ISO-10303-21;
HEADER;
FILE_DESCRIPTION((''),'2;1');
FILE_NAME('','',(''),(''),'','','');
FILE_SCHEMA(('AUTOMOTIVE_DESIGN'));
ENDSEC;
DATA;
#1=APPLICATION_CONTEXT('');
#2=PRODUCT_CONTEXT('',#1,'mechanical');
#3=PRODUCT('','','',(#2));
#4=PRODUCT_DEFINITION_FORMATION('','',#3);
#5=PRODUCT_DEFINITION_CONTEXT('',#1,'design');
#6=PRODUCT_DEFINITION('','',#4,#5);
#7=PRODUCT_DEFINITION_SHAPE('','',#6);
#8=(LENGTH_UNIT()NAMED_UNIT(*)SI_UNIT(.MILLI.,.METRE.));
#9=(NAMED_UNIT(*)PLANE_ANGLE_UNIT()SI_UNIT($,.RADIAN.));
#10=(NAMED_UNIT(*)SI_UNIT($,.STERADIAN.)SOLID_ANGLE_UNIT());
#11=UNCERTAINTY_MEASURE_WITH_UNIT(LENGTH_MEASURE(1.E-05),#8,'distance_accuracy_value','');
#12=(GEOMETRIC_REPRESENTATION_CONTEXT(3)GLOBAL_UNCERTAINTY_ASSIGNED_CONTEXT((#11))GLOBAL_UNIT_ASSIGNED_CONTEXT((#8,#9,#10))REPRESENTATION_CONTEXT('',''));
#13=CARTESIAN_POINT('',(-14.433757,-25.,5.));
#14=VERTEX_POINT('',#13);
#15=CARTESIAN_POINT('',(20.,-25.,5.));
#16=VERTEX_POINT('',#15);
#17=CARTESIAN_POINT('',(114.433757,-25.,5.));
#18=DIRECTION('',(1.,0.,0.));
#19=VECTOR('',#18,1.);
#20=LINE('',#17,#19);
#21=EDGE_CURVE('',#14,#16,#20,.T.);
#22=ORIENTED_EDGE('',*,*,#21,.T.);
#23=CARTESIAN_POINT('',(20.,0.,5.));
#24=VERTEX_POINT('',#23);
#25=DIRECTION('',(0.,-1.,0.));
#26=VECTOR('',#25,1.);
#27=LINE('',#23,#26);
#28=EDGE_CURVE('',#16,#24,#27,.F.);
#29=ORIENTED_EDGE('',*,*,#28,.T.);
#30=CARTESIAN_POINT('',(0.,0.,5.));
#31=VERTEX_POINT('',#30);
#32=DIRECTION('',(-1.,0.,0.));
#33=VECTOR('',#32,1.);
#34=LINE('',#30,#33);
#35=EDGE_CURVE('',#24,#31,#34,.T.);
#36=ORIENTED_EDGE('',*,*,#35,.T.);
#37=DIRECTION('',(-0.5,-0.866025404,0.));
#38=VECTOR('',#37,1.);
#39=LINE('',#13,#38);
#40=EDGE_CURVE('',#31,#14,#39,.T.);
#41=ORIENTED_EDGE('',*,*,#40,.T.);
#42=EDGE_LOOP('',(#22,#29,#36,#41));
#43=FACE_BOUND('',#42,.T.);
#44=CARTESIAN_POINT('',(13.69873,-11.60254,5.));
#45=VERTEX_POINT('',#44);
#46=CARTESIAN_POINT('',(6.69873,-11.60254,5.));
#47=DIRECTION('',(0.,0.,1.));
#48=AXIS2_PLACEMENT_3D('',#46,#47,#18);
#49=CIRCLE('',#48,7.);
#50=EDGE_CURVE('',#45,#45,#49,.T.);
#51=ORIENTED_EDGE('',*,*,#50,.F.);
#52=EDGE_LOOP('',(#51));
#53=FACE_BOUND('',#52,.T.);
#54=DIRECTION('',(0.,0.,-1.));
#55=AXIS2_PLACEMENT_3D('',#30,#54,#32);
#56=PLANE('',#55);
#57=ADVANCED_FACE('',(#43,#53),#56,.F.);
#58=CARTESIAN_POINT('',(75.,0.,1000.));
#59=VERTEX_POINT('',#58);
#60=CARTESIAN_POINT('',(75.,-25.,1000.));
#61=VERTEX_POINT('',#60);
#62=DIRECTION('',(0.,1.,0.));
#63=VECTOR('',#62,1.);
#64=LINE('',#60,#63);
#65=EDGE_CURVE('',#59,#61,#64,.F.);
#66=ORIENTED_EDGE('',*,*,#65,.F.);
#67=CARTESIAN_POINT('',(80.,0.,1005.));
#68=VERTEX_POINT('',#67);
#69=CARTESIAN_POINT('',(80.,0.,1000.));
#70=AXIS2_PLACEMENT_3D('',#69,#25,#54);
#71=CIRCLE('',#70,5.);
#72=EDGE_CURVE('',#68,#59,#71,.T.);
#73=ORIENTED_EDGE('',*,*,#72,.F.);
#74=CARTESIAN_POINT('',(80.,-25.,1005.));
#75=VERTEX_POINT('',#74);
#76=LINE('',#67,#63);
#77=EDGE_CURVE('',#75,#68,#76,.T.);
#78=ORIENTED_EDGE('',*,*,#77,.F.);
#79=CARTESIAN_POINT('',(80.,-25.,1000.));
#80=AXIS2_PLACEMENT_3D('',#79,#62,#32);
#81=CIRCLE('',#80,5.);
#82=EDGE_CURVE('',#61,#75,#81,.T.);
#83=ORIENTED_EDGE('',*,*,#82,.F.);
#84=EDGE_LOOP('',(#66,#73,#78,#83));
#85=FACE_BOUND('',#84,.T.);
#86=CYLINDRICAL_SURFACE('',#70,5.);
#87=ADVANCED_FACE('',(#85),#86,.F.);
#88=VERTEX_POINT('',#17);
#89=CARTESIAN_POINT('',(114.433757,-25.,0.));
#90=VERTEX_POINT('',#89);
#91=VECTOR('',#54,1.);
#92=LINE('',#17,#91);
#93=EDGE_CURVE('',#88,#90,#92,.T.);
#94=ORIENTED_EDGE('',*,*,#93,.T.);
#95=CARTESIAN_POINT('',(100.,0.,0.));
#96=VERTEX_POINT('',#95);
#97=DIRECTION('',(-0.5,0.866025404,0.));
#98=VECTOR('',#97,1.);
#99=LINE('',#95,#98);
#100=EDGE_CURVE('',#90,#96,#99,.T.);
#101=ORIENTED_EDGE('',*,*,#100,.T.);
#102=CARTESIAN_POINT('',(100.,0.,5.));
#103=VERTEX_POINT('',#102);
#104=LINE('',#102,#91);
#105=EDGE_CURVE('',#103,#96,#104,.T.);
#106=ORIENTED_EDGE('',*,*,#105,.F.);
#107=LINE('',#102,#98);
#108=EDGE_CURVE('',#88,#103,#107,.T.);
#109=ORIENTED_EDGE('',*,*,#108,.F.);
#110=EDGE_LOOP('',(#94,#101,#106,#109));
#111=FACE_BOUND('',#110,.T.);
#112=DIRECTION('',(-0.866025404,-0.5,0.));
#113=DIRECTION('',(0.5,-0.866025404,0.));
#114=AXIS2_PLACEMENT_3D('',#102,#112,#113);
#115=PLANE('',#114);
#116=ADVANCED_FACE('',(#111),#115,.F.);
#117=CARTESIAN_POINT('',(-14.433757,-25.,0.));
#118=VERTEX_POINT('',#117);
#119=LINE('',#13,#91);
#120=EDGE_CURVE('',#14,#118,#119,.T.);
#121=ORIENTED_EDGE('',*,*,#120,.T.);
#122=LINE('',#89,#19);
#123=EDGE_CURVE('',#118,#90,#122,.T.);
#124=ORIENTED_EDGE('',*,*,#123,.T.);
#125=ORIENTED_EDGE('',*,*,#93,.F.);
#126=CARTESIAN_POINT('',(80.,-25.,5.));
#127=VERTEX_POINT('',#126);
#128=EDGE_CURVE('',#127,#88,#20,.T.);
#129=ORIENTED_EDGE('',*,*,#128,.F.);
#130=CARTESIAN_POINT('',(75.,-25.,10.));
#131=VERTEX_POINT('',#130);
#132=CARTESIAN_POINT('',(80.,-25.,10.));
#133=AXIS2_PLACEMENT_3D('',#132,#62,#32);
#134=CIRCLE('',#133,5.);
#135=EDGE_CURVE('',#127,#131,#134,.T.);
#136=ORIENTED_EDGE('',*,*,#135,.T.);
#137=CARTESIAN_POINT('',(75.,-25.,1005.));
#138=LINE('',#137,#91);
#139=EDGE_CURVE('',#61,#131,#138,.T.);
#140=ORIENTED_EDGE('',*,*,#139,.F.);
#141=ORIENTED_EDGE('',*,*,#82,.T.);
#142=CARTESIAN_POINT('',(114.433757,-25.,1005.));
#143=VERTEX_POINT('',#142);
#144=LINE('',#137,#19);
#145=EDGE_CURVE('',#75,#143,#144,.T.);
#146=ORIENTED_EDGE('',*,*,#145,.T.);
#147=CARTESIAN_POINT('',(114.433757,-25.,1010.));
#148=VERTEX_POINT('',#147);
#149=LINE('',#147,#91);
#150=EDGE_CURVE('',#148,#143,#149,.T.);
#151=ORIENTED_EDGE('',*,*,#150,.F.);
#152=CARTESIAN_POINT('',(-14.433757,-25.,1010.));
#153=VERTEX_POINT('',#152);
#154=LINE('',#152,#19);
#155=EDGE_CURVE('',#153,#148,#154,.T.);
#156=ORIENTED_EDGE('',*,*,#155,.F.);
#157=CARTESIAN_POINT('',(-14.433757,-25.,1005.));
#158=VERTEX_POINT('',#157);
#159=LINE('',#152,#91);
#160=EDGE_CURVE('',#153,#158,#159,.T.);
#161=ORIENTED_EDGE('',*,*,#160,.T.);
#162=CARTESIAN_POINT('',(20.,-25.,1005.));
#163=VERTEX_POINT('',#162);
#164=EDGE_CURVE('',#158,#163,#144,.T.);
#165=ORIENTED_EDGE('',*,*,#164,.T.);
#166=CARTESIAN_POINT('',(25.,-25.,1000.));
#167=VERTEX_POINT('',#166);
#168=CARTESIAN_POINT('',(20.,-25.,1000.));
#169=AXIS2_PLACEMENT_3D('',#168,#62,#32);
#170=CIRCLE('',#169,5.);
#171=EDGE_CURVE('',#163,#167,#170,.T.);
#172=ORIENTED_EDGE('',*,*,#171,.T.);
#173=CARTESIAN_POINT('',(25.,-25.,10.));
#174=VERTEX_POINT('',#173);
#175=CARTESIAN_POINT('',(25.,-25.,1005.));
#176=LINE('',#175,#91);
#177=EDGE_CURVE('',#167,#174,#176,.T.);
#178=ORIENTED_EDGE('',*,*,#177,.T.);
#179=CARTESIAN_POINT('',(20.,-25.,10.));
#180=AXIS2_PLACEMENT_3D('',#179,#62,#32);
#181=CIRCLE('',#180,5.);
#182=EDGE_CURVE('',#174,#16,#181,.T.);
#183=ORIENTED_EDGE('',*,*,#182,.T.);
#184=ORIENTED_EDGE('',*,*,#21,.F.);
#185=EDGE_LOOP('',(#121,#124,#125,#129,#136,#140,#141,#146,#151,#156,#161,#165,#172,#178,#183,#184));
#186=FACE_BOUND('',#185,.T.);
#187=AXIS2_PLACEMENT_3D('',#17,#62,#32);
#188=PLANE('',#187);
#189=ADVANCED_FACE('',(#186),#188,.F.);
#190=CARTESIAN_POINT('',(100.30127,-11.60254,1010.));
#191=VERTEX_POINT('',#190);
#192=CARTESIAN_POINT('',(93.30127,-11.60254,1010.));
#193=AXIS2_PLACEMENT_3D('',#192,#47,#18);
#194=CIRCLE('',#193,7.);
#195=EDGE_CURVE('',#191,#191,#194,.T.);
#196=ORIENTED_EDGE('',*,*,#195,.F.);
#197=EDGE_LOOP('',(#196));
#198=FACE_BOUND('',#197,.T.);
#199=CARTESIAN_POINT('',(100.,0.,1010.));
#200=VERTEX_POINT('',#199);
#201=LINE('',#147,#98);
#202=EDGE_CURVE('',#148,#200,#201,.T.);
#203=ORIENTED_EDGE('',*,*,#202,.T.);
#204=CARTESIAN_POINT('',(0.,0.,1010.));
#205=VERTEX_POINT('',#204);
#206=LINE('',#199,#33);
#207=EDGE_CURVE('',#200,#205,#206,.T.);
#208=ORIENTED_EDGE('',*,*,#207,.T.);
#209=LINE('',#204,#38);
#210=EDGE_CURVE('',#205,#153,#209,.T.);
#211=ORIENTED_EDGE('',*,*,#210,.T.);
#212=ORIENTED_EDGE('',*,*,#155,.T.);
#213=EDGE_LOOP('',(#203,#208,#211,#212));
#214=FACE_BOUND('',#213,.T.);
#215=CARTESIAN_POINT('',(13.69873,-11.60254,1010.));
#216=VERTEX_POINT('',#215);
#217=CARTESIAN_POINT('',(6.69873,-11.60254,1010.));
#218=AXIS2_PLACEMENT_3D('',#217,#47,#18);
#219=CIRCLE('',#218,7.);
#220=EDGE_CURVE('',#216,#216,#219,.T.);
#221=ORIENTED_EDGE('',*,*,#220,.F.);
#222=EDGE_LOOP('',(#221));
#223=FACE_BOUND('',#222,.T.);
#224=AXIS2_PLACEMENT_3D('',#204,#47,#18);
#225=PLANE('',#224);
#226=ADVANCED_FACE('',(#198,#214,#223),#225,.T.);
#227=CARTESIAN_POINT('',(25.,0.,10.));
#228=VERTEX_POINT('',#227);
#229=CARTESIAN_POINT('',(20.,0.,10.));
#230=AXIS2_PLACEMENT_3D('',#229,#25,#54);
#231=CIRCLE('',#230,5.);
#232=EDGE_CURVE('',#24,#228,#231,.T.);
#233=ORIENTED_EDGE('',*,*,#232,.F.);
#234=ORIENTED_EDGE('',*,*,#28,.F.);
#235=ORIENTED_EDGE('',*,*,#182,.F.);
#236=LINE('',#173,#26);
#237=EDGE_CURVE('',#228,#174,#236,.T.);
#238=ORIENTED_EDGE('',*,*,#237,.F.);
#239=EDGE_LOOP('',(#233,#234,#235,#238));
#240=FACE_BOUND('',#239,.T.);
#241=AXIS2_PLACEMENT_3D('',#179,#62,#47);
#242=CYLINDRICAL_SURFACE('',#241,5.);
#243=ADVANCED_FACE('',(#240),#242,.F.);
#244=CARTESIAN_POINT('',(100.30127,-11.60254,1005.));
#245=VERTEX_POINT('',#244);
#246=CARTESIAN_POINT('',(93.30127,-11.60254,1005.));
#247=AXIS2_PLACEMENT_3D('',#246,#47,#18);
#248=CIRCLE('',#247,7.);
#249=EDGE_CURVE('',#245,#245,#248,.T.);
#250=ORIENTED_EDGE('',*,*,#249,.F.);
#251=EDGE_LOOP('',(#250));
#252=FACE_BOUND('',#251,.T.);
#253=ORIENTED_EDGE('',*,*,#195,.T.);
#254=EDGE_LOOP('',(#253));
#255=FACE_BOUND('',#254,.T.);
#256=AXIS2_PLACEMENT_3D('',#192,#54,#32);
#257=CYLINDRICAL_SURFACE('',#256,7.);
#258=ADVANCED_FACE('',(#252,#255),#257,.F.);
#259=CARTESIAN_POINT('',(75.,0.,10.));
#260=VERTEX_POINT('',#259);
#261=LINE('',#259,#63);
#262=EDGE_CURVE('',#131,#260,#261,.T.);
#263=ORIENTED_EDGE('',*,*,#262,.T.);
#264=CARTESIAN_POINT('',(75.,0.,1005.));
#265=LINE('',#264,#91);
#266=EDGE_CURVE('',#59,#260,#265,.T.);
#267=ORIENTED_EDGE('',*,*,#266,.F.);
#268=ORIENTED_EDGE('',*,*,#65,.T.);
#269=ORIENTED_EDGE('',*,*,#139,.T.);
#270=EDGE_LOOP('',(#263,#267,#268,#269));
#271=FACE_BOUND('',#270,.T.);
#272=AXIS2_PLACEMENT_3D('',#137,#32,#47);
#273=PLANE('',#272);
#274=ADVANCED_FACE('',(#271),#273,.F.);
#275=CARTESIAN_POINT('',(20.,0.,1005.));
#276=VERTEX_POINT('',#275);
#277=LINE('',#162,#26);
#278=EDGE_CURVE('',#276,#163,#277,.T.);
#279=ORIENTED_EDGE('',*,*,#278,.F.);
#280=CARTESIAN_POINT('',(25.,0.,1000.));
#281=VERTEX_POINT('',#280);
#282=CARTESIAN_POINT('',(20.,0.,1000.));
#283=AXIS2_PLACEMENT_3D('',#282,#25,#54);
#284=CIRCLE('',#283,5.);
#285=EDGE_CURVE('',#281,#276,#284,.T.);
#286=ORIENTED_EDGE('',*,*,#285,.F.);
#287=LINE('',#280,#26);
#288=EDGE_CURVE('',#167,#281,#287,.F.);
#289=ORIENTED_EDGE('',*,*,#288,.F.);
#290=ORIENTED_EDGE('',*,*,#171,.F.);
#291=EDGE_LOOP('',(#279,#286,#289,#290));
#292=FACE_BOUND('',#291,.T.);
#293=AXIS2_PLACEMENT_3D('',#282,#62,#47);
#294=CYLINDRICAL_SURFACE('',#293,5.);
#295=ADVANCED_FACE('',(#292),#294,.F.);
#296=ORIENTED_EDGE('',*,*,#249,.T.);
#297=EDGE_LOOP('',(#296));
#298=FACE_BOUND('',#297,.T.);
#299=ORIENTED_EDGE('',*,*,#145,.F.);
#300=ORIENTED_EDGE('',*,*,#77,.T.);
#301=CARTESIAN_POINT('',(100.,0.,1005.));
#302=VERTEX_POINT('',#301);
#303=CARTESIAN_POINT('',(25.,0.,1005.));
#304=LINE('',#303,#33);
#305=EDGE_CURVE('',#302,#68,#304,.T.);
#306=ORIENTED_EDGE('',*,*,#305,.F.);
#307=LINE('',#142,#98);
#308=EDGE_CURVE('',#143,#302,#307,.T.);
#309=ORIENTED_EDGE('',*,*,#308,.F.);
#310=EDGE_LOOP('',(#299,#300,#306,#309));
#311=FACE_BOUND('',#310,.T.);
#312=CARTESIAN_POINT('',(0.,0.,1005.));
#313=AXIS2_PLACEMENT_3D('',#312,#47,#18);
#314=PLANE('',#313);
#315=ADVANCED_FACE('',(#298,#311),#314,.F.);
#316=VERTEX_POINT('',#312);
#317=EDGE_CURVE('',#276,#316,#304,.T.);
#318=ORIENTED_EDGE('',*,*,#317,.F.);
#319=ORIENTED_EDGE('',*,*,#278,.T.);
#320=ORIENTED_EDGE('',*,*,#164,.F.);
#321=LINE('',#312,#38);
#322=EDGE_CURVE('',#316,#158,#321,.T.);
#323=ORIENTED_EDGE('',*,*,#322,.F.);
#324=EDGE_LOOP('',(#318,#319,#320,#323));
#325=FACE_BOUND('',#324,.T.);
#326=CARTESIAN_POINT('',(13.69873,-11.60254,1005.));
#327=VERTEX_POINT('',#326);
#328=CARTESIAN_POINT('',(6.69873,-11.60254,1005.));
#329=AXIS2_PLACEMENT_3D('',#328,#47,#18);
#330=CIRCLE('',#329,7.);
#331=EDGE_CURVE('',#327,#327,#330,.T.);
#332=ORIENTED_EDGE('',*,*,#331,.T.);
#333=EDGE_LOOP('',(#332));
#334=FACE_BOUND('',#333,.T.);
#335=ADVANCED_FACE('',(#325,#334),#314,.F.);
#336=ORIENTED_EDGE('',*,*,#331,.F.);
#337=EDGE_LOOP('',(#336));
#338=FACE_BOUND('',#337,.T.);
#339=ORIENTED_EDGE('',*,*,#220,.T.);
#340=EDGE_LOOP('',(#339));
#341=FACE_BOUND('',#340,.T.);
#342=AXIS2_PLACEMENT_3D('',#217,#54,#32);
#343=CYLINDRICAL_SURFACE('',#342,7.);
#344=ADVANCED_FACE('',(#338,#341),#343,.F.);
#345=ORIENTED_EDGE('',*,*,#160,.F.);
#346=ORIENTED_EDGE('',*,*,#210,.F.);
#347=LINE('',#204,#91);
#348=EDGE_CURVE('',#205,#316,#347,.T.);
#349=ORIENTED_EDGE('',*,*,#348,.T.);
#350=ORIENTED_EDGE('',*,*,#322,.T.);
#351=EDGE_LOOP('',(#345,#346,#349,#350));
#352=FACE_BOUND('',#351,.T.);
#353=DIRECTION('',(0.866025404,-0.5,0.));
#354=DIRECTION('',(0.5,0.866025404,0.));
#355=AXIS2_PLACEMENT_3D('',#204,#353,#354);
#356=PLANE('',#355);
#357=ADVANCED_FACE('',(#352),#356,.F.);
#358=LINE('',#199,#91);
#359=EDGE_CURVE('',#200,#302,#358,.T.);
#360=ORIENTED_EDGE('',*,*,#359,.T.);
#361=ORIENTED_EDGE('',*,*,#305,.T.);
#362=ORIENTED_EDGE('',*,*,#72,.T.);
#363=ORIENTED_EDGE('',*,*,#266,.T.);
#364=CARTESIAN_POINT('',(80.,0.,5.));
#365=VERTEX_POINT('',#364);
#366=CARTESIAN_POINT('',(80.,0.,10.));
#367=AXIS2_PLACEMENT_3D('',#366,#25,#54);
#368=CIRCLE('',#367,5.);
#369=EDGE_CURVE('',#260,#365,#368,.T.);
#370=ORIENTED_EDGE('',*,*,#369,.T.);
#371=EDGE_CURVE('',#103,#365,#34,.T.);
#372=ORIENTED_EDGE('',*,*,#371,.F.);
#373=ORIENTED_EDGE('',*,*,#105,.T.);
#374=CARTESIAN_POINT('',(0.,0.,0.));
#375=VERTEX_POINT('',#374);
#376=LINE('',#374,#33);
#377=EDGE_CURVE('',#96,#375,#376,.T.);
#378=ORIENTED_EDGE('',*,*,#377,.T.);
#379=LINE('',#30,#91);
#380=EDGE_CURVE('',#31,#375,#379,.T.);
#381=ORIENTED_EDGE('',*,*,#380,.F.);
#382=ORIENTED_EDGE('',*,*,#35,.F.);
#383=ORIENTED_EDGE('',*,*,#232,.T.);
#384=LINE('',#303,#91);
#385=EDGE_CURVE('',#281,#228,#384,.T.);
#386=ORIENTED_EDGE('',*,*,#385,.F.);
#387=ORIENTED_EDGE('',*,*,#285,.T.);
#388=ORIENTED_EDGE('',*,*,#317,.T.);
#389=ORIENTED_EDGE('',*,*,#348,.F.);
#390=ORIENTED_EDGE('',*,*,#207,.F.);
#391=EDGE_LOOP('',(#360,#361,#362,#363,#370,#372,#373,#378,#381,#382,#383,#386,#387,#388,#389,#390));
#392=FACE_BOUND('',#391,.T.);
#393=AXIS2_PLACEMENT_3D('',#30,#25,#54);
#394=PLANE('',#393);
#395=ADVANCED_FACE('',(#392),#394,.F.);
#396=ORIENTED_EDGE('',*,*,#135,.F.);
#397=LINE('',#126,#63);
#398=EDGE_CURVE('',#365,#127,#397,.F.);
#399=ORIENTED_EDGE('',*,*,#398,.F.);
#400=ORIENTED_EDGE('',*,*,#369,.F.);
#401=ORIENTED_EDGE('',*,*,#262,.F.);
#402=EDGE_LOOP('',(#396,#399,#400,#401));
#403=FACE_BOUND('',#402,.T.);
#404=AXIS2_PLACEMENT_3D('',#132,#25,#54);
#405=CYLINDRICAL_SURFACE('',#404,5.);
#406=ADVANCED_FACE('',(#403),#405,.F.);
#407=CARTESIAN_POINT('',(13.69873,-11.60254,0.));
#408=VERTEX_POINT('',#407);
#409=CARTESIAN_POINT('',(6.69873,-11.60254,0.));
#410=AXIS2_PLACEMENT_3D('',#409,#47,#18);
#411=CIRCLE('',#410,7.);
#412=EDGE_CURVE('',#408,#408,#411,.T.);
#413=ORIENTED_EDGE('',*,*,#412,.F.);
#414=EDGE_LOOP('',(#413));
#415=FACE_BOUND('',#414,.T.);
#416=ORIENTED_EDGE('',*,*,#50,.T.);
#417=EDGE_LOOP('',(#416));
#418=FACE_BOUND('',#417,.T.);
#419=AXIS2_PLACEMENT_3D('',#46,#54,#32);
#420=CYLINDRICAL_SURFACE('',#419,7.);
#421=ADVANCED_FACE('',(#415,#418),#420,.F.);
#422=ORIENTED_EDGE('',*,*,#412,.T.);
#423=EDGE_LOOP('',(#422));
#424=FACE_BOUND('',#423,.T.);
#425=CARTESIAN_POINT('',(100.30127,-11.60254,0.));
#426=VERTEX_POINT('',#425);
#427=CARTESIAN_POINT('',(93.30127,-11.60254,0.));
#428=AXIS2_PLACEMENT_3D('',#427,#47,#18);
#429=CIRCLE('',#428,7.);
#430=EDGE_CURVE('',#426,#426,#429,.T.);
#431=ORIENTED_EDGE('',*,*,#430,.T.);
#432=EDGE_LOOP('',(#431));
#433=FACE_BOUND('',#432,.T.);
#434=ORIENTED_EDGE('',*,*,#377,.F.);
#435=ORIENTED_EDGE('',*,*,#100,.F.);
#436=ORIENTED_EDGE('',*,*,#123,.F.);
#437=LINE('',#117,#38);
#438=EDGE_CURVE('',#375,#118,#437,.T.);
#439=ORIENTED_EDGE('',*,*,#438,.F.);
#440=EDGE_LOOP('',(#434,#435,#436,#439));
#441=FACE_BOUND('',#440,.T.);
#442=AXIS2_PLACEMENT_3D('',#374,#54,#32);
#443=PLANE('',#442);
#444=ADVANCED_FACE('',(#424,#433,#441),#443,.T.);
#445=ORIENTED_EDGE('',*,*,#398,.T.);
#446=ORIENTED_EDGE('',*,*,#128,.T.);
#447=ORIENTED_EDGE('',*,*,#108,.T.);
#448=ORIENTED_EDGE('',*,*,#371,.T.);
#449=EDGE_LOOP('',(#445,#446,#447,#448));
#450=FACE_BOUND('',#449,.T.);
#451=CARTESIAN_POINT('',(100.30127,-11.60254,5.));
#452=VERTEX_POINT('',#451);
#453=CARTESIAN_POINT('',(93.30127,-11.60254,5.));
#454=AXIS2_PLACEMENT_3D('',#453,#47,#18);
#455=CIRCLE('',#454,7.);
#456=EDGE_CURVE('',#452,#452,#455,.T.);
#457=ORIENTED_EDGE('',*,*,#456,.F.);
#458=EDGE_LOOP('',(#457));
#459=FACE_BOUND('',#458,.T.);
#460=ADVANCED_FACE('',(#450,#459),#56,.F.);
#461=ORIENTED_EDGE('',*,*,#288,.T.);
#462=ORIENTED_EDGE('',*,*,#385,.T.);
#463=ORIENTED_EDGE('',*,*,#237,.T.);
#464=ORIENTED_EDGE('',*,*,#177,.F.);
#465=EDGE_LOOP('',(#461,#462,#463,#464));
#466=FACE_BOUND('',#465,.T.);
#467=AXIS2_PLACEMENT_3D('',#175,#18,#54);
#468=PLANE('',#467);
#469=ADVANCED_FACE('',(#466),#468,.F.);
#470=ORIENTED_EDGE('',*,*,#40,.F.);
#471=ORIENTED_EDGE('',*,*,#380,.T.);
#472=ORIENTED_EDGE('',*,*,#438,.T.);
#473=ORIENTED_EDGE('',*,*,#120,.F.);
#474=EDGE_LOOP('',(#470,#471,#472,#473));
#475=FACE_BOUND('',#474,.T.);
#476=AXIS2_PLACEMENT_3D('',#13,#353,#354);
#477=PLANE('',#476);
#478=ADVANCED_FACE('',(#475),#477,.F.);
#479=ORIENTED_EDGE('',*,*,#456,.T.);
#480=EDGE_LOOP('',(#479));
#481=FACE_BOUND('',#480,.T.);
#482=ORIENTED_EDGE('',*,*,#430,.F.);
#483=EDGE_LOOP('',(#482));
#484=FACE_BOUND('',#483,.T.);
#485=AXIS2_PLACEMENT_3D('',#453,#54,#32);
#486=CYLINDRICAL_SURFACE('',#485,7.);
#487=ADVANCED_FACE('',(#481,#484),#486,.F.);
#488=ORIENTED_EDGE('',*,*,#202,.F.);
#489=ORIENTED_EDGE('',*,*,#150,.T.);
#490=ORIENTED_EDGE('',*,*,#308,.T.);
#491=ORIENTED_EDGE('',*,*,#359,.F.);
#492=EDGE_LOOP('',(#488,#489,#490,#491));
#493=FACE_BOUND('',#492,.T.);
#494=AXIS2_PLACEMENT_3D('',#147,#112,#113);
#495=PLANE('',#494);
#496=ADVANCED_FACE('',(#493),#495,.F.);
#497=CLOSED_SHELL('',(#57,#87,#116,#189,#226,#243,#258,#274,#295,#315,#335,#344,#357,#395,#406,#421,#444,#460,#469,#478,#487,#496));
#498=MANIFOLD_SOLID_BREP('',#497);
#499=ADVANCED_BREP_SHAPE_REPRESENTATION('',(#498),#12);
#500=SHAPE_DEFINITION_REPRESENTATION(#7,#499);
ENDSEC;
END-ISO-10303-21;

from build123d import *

# Parameters (mm, degrees)
SZKIC1_R                    = 7
DODANIE_WYCI_GNI_CIE1_DEPTH = 5
SZKIC2_W                    = 50
SZKIC2_H                    = 25
DODANIE_WYCI_GNI_CIE2_DEPTH = 1000
SZKIC3_R                    = 7
DODANIE_WYCI_GNI_CIE3_DEPTH = 5
ZAOKR_GLENIE1_R             = 5
ZAOKR_GLENIE2_R             = 5
ZAOKR_GLENIE3_R             = 5
ZAOKR_GLENIE4_R             = 5


with BuildPart() as part:
    # Szkic1 → Dodanie-wyciągnięcie1 (new body)
    with BuildSketch(Plane.XY):
        Polygon((0, 0), (100, 0), (114.43375673, -25), (-14.43375673, -25), align=None)
        with Locations((93.301270189, -11.602540378)):
            Circle(SZKIC1_R, mode=Mode.SUBTRACT)
        with Locations((6.698729811, -11.602540378)):
            Circle(SZKIC1_R, mode=Mode.SUBTRACT)
    extrude(amount=DODANIE_WYCI_GNI_CIE1_DEPTH)

    # Szkic2 → Dodanie-wyciągnięcie2 (add)
    with BuildSketch(Plane.XY.offset(5)):
        with Locations((50, -12.5)):
            Rectangle(SZKIC2_W, SZKIC2_H)
    extrude(amount=DODANIE_WYCI_GNI_CIE2_DEPTH)

    # Szkic3 → Dodanie-wyciągnięcie3 (add)
    with BuildSketch(Plane.XY.offset(1005)):
        Polygon((-14.43375673, -25), (25, -25), (75, -25), (114.43375673, -25), (100, 0), (75, 0), (25, 0), (0, 0), align=None)
        with Locations((93.301270189, -11.602540378)):
            Circle(SZKIC3_R, mode=Mode.SUBTRACT)
        with Locations((6.698729811, -11.602540378)):
            Circle(SZKIC3_R, mode=Mode.SUBTRACT)
    extrude(amount=DODANIE_WYCI_GNI_CIE3_DEPTH)

    # Zaokrąglenie1
    zaokr_glenie1_edges = [part.edges().sort_by_distance(p)[0] for p in [
        (25, -12.5, 5),
    ]]
    fillet(zaokr_glenie1_edges, radius=ZAOKR_GLENIE1_R)

    # Zaokrąglenie2
    zaokr_glenie2_edges = [part.edges().sort_by_distance(p)[0] for p in [
        (75, -12.5, 5),
    ]]
    fillet(zaokr_glenie2_edges, radius=ZAOKR_GLENIE2_R)

    # Zaokrąglenie3
    zaokr_glenie3_edges = [part.edges().sort_by_distance(p)[0] for p in [
        (75, -12.5, 1005),
    ]]
    fillet(zaokr_glenie3_edges, radius=ZAOKR_GLENIE3_R)

    # Zaokrąglenie4
    zaokr_glenie4_edges = [part.edges().sort_by_distance(p)[0] for p in [
        (25, -12.5, 1005),
    ]]
    fillet(zaokr_glenie4_edges, radius=ZAOKR_GLENIE4_R)


solid = part.part
